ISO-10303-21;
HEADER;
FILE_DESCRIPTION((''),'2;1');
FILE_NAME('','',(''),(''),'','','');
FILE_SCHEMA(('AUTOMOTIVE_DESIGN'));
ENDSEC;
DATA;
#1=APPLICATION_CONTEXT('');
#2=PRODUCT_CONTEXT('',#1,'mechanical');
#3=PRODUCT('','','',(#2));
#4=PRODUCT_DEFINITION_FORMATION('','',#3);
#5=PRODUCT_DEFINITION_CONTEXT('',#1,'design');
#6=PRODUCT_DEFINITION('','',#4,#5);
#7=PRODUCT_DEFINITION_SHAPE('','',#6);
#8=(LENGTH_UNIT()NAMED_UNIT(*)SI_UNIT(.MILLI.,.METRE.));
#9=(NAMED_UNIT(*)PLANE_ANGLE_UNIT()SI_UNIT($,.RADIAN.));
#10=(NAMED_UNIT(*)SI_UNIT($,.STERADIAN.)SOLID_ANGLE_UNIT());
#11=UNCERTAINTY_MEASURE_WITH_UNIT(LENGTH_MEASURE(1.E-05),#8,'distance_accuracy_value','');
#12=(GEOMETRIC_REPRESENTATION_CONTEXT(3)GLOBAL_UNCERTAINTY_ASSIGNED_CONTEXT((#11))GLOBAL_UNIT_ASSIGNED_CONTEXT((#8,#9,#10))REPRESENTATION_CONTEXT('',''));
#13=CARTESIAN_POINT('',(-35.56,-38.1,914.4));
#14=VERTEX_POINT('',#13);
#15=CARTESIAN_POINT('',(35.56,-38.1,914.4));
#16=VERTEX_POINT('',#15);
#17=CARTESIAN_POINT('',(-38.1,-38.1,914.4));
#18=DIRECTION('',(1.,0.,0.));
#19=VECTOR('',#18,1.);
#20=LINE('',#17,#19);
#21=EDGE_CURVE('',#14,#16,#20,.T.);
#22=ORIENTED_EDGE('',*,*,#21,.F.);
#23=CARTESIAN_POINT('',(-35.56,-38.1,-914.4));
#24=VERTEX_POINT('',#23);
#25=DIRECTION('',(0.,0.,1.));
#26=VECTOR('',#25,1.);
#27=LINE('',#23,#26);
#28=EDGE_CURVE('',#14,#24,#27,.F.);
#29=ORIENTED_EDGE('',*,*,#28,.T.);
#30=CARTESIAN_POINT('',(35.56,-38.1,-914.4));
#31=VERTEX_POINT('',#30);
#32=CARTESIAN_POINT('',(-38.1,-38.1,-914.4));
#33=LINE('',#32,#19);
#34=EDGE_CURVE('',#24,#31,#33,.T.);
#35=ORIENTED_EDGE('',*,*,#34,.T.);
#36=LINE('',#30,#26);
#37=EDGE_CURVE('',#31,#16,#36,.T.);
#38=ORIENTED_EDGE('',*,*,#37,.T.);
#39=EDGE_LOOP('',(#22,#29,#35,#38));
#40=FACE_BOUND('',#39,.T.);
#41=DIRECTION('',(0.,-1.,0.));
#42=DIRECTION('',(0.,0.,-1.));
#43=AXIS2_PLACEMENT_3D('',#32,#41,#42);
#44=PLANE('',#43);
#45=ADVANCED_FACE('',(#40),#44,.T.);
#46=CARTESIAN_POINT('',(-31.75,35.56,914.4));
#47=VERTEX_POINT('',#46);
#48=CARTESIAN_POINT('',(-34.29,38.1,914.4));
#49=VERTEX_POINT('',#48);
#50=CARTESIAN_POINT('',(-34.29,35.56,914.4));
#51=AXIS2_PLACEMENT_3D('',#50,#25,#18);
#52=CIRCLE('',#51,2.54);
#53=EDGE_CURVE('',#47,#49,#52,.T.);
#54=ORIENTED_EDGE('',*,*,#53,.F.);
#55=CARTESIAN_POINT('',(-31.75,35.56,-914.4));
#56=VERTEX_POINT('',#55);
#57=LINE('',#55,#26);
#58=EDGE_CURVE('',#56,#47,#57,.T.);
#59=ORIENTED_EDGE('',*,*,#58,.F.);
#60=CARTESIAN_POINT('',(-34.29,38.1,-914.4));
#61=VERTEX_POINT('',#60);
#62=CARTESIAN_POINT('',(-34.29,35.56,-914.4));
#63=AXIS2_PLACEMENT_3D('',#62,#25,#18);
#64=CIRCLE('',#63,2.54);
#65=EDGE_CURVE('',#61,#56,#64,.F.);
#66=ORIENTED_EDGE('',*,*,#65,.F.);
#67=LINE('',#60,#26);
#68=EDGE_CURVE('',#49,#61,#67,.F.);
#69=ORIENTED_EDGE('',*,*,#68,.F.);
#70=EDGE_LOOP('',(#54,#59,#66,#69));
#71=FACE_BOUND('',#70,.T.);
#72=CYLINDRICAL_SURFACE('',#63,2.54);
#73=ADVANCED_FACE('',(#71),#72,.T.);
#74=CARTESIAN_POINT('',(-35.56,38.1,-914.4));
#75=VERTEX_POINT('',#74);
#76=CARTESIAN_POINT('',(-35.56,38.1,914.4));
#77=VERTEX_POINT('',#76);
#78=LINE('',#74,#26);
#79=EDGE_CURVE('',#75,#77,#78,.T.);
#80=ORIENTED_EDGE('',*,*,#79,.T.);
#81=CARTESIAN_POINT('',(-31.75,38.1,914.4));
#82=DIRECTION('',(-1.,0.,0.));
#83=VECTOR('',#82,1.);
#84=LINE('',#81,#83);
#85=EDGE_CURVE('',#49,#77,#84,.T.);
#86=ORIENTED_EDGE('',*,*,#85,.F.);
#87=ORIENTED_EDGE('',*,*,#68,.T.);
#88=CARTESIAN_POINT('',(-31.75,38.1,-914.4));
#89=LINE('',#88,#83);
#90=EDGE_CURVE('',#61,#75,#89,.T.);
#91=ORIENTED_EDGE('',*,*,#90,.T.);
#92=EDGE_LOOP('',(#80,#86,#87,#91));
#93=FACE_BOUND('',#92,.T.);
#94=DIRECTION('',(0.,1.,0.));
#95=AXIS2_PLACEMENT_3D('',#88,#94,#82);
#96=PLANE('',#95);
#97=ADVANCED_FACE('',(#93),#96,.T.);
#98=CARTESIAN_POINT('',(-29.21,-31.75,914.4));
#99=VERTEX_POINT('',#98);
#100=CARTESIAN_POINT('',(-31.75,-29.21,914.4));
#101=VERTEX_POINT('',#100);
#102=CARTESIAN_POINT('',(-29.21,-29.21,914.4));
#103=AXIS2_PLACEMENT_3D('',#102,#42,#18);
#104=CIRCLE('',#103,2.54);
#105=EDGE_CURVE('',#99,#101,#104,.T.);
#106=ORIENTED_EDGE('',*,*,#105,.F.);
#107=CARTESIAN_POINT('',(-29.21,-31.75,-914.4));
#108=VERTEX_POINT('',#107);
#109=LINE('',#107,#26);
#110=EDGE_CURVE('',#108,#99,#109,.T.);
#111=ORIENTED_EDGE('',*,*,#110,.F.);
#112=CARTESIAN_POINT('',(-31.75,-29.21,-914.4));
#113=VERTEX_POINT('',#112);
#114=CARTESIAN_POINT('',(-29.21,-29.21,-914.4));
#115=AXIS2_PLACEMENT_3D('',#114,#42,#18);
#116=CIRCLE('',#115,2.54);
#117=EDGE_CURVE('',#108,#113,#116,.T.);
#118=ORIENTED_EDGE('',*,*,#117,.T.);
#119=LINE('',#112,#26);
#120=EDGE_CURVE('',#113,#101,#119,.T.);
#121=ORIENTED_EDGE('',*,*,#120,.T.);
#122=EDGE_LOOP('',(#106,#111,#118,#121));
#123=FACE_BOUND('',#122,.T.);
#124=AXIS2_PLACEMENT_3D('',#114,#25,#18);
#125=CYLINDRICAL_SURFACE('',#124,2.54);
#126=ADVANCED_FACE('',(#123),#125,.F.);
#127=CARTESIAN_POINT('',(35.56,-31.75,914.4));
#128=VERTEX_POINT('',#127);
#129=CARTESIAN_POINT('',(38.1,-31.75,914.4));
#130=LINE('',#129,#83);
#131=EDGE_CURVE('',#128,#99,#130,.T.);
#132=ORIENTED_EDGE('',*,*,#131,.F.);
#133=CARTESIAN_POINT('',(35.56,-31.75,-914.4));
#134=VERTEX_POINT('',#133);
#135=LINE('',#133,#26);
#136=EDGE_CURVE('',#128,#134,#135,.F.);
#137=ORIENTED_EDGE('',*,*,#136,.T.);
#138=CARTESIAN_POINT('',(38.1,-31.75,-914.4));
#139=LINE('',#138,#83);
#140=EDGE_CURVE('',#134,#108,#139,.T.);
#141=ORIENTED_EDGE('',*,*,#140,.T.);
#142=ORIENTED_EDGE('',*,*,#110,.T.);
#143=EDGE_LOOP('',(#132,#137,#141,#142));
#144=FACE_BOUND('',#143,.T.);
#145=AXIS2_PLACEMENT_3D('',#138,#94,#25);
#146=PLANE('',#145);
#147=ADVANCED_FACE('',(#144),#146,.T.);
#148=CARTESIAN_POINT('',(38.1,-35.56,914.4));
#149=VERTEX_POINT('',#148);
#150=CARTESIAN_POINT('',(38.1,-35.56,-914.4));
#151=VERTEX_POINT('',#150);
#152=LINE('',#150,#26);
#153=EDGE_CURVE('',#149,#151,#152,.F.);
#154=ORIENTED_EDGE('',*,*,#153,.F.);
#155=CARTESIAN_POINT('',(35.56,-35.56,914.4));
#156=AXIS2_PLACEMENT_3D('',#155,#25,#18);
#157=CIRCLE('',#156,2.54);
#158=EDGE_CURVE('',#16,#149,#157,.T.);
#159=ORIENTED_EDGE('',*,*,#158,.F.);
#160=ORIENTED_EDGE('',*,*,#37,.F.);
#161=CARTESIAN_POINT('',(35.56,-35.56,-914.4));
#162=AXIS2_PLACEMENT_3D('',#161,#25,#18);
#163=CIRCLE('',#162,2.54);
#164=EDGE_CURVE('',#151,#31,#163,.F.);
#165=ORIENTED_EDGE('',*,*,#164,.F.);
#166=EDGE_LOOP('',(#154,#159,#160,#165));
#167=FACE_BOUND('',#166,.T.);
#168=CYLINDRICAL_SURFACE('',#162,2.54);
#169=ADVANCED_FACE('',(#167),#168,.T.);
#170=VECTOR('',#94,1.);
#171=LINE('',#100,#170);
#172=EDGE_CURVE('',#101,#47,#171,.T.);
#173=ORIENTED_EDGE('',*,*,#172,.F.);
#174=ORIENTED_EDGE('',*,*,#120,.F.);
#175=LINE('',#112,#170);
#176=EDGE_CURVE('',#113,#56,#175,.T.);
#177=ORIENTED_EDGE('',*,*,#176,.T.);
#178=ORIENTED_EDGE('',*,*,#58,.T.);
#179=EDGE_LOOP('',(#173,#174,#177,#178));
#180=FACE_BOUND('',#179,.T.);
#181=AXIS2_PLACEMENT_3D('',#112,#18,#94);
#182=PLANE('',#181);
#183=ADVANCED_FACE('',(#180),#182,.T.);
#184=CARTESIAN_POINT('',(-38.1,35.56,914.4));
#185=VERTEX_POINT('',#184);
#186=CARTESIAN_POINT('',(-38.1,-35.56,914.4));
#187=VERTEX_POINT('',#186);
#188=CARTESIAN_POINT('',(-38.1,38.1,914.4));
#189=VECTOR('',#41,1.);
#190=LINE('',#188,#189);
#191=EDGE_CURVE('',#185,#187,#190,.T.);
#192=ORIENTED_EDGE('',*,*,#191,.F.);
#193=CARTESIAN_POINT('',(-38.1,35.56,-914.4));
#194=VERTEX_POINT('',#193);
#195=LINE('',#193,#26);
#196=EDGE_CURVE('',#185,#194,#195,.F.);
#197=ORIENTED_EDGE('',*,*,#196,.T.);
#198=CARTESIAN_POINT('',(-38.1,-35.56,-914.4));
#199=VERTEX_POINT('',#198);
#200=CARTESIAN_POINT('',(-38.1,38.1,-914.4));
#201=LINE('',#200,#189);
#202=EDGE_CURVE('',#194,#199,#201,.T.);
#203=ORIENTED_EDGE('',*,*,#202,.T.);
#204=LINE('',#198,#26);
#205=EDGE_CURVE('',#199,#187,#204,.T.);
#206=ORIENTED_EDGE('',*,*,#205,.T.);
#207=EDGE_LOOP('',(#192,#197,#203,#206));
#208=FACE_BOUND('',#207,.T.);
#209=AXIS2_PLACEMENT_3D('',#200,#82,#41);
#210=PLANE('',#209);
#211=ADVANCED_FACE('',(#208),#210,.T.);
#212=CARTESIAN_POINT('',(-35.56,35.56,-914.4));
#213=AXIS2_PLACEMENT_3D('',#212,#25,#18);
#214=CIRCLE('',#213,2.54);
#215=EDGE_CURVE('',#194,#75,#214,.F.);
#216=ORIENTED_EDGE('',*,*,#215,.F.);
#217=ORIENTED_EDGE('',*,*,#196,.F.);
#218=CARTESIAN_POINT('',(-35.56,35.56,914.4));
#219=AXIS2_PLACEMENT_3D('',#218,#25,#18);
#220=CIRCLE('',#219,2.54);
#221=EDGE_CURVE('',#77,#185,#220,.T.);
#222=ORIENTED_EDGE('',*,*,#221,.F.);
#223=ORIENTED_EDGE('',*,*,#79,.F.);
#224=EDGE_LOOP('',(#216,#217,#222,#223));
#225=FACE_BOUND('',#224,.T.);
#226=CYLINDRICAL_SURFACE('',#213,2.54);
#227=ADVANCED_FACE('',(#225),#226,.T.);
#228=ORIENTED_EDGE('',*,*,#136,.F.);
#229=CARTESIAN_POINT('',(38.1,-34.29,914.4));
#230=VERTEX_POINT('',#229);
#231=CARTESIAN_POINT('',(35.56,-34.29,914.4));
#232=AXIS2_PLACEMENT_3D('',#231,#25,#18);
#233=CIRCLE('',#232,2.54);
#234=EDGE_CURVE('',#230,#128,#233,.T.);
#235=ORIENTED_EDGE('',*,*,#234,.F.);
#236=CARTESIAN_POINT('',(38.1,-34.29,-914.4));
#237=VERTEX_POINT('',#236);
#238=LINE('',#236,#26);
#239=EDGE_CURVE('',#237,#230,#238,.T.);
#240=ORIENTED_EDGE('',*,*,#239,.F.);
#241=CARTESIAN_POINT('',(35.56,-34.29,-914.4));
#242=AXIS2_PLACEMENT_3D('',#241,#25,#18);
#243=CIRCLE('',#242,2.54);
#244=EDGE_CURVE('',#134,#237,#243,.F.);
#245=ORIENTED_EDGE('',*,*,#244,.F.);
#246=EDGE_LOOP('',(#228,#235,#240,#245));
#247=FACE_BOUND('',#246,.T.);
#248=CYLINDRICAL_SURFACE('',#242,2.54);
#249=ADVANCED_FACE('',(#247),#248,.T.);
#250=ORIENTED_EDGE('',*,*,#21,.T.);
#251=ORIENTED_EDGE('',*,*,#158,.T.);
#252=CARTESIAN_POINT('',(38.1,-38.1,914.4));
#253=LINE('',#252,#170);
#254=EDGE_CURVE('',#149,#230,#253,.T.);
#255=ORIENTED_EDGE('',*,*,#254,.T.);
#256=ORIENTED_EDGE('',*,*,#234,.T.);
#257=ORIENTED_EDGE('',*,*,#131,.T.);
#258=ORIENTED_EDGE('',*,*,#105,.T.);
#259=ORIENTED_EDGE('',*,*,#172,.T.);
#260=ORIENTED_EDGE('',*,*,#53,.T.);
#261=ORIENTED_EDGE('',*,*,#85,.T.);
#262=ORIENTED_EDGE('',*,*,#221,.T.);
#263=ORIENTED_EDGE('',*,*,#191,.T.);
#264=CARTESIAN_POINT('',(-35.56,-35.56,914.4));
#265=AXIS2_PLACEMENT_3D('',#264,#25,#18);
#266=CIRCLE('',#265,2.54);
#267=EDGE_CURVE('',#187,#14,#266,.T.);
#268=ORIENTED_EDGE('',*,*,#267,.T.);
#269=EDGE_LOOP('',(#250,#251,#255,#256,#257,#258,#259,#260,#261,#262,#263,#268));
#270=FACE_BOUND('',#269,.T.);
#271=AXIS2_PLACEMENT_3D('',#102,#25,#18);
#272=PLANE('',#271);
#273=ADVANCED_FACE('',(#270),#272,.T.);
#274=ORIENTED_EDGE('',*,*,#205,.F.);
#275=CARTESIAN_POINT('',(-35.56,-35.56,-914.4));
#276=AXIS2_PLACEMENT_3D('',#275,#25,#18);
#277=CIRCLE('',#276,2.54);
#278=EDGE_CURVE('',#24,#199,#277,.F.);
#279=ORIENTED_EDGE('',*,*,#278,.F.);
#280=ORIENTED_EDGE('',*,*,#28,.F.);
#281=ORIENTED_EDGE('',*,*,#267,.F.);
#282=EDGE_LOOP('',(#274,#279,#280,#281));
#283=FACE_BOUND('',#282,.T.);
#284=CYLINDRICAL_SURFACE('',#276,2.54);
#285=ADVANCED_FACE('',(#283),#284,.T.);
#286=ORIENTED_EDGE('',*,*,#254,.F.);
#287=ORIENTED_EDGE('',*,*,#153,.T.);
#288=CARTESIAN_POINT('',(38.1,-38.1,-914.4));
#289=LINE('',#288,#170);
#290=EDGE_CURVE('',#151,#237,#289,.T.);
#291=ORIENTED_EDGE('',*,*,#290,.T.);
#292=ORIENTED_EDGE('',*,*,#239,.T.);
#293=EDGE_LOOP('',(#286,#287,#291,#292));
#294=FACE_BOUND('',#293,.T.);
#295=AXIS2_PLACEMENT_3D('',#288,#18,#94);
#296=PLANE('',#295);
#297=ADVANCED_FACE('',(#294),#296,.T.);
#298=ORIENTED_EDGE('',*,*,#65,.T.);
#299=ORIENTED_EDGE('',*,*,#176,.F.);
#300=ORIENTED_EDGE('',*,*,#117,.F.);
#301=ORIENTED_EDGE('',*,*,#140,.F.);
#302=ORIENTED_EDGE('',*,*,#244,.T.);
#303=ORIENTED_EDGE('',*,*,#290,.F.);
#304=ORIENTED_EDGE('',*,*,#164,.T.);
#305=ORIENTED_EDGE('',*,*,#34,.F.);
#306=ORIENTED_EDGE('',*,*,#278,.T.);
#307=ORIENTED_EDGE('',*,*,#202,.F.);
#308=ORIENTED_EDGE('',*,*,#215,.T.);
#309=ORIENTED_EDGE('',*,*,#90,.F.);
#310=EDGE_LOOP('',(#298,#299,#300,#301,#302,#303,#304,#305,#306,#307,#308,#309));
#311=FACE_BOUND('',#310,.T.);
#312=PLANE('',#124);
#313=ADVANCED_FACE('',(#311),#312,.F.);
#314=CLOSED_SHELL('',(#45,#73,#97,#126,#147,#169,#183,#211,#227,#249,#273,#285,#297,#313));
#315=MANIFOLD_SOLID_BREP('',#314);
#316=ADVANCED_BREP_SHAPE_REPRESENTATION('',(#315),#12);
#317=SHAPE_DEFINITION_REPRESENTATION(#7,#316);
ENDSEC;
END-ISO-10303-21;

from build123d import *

# Parameters (mm, degrees)
BOSS_EXTRUDE1_DEPTH      = 914.4
BOSS_EXTRUDE1_DEPTH_BACK = 914.4
FILLET1_R                = 2.54


with BuildPart() as part:
    # Sketch4 → Boss-Extrude1 (new body, two sides)
    with BuildSketch(Plane.XY) as boss_extrude1_sk:
        with BuildLine():
            Line((-31.75, -29.21), (-31.75, 38.1))
            Line((-31.75, 38.1), (-38.1, 38.1))
            Line((-38.1, 38.1), (-38.1, -38.1))
            Line((-38.1, -38.1), (38.1, -38.1))
            Line((38.1, -38.1), (38.1, -31.75))
            Line((38.1, -31.75), (-29.21, -31.75))
            ThreePointArc((-29.21, -31.75), (-31.006051224, -31.006051224), (-31.75, -29.21))
        make_face()
    extrude(amount=BOSS_EXTRUDE1_DEPTH)
    extrude(boss_extrude1_sk.sketch, amount=-BOSS_EXTRUDE1_DEPTH_BACK)

    # Fillet1
    fillet1_edges = [part.edges().sort_by_distance(p)[0] for p in [
        (-31.75, 38.1, 0),
        (38.1, -31.75, 0),
        (38.1, -38.1, 0),
        (-38.1, -38.1, 0),
        (-38.1, 38.1, 0),
    ]]
    fillet(fillet1_edges, radius=FILLET1_R)


solid = part.part
